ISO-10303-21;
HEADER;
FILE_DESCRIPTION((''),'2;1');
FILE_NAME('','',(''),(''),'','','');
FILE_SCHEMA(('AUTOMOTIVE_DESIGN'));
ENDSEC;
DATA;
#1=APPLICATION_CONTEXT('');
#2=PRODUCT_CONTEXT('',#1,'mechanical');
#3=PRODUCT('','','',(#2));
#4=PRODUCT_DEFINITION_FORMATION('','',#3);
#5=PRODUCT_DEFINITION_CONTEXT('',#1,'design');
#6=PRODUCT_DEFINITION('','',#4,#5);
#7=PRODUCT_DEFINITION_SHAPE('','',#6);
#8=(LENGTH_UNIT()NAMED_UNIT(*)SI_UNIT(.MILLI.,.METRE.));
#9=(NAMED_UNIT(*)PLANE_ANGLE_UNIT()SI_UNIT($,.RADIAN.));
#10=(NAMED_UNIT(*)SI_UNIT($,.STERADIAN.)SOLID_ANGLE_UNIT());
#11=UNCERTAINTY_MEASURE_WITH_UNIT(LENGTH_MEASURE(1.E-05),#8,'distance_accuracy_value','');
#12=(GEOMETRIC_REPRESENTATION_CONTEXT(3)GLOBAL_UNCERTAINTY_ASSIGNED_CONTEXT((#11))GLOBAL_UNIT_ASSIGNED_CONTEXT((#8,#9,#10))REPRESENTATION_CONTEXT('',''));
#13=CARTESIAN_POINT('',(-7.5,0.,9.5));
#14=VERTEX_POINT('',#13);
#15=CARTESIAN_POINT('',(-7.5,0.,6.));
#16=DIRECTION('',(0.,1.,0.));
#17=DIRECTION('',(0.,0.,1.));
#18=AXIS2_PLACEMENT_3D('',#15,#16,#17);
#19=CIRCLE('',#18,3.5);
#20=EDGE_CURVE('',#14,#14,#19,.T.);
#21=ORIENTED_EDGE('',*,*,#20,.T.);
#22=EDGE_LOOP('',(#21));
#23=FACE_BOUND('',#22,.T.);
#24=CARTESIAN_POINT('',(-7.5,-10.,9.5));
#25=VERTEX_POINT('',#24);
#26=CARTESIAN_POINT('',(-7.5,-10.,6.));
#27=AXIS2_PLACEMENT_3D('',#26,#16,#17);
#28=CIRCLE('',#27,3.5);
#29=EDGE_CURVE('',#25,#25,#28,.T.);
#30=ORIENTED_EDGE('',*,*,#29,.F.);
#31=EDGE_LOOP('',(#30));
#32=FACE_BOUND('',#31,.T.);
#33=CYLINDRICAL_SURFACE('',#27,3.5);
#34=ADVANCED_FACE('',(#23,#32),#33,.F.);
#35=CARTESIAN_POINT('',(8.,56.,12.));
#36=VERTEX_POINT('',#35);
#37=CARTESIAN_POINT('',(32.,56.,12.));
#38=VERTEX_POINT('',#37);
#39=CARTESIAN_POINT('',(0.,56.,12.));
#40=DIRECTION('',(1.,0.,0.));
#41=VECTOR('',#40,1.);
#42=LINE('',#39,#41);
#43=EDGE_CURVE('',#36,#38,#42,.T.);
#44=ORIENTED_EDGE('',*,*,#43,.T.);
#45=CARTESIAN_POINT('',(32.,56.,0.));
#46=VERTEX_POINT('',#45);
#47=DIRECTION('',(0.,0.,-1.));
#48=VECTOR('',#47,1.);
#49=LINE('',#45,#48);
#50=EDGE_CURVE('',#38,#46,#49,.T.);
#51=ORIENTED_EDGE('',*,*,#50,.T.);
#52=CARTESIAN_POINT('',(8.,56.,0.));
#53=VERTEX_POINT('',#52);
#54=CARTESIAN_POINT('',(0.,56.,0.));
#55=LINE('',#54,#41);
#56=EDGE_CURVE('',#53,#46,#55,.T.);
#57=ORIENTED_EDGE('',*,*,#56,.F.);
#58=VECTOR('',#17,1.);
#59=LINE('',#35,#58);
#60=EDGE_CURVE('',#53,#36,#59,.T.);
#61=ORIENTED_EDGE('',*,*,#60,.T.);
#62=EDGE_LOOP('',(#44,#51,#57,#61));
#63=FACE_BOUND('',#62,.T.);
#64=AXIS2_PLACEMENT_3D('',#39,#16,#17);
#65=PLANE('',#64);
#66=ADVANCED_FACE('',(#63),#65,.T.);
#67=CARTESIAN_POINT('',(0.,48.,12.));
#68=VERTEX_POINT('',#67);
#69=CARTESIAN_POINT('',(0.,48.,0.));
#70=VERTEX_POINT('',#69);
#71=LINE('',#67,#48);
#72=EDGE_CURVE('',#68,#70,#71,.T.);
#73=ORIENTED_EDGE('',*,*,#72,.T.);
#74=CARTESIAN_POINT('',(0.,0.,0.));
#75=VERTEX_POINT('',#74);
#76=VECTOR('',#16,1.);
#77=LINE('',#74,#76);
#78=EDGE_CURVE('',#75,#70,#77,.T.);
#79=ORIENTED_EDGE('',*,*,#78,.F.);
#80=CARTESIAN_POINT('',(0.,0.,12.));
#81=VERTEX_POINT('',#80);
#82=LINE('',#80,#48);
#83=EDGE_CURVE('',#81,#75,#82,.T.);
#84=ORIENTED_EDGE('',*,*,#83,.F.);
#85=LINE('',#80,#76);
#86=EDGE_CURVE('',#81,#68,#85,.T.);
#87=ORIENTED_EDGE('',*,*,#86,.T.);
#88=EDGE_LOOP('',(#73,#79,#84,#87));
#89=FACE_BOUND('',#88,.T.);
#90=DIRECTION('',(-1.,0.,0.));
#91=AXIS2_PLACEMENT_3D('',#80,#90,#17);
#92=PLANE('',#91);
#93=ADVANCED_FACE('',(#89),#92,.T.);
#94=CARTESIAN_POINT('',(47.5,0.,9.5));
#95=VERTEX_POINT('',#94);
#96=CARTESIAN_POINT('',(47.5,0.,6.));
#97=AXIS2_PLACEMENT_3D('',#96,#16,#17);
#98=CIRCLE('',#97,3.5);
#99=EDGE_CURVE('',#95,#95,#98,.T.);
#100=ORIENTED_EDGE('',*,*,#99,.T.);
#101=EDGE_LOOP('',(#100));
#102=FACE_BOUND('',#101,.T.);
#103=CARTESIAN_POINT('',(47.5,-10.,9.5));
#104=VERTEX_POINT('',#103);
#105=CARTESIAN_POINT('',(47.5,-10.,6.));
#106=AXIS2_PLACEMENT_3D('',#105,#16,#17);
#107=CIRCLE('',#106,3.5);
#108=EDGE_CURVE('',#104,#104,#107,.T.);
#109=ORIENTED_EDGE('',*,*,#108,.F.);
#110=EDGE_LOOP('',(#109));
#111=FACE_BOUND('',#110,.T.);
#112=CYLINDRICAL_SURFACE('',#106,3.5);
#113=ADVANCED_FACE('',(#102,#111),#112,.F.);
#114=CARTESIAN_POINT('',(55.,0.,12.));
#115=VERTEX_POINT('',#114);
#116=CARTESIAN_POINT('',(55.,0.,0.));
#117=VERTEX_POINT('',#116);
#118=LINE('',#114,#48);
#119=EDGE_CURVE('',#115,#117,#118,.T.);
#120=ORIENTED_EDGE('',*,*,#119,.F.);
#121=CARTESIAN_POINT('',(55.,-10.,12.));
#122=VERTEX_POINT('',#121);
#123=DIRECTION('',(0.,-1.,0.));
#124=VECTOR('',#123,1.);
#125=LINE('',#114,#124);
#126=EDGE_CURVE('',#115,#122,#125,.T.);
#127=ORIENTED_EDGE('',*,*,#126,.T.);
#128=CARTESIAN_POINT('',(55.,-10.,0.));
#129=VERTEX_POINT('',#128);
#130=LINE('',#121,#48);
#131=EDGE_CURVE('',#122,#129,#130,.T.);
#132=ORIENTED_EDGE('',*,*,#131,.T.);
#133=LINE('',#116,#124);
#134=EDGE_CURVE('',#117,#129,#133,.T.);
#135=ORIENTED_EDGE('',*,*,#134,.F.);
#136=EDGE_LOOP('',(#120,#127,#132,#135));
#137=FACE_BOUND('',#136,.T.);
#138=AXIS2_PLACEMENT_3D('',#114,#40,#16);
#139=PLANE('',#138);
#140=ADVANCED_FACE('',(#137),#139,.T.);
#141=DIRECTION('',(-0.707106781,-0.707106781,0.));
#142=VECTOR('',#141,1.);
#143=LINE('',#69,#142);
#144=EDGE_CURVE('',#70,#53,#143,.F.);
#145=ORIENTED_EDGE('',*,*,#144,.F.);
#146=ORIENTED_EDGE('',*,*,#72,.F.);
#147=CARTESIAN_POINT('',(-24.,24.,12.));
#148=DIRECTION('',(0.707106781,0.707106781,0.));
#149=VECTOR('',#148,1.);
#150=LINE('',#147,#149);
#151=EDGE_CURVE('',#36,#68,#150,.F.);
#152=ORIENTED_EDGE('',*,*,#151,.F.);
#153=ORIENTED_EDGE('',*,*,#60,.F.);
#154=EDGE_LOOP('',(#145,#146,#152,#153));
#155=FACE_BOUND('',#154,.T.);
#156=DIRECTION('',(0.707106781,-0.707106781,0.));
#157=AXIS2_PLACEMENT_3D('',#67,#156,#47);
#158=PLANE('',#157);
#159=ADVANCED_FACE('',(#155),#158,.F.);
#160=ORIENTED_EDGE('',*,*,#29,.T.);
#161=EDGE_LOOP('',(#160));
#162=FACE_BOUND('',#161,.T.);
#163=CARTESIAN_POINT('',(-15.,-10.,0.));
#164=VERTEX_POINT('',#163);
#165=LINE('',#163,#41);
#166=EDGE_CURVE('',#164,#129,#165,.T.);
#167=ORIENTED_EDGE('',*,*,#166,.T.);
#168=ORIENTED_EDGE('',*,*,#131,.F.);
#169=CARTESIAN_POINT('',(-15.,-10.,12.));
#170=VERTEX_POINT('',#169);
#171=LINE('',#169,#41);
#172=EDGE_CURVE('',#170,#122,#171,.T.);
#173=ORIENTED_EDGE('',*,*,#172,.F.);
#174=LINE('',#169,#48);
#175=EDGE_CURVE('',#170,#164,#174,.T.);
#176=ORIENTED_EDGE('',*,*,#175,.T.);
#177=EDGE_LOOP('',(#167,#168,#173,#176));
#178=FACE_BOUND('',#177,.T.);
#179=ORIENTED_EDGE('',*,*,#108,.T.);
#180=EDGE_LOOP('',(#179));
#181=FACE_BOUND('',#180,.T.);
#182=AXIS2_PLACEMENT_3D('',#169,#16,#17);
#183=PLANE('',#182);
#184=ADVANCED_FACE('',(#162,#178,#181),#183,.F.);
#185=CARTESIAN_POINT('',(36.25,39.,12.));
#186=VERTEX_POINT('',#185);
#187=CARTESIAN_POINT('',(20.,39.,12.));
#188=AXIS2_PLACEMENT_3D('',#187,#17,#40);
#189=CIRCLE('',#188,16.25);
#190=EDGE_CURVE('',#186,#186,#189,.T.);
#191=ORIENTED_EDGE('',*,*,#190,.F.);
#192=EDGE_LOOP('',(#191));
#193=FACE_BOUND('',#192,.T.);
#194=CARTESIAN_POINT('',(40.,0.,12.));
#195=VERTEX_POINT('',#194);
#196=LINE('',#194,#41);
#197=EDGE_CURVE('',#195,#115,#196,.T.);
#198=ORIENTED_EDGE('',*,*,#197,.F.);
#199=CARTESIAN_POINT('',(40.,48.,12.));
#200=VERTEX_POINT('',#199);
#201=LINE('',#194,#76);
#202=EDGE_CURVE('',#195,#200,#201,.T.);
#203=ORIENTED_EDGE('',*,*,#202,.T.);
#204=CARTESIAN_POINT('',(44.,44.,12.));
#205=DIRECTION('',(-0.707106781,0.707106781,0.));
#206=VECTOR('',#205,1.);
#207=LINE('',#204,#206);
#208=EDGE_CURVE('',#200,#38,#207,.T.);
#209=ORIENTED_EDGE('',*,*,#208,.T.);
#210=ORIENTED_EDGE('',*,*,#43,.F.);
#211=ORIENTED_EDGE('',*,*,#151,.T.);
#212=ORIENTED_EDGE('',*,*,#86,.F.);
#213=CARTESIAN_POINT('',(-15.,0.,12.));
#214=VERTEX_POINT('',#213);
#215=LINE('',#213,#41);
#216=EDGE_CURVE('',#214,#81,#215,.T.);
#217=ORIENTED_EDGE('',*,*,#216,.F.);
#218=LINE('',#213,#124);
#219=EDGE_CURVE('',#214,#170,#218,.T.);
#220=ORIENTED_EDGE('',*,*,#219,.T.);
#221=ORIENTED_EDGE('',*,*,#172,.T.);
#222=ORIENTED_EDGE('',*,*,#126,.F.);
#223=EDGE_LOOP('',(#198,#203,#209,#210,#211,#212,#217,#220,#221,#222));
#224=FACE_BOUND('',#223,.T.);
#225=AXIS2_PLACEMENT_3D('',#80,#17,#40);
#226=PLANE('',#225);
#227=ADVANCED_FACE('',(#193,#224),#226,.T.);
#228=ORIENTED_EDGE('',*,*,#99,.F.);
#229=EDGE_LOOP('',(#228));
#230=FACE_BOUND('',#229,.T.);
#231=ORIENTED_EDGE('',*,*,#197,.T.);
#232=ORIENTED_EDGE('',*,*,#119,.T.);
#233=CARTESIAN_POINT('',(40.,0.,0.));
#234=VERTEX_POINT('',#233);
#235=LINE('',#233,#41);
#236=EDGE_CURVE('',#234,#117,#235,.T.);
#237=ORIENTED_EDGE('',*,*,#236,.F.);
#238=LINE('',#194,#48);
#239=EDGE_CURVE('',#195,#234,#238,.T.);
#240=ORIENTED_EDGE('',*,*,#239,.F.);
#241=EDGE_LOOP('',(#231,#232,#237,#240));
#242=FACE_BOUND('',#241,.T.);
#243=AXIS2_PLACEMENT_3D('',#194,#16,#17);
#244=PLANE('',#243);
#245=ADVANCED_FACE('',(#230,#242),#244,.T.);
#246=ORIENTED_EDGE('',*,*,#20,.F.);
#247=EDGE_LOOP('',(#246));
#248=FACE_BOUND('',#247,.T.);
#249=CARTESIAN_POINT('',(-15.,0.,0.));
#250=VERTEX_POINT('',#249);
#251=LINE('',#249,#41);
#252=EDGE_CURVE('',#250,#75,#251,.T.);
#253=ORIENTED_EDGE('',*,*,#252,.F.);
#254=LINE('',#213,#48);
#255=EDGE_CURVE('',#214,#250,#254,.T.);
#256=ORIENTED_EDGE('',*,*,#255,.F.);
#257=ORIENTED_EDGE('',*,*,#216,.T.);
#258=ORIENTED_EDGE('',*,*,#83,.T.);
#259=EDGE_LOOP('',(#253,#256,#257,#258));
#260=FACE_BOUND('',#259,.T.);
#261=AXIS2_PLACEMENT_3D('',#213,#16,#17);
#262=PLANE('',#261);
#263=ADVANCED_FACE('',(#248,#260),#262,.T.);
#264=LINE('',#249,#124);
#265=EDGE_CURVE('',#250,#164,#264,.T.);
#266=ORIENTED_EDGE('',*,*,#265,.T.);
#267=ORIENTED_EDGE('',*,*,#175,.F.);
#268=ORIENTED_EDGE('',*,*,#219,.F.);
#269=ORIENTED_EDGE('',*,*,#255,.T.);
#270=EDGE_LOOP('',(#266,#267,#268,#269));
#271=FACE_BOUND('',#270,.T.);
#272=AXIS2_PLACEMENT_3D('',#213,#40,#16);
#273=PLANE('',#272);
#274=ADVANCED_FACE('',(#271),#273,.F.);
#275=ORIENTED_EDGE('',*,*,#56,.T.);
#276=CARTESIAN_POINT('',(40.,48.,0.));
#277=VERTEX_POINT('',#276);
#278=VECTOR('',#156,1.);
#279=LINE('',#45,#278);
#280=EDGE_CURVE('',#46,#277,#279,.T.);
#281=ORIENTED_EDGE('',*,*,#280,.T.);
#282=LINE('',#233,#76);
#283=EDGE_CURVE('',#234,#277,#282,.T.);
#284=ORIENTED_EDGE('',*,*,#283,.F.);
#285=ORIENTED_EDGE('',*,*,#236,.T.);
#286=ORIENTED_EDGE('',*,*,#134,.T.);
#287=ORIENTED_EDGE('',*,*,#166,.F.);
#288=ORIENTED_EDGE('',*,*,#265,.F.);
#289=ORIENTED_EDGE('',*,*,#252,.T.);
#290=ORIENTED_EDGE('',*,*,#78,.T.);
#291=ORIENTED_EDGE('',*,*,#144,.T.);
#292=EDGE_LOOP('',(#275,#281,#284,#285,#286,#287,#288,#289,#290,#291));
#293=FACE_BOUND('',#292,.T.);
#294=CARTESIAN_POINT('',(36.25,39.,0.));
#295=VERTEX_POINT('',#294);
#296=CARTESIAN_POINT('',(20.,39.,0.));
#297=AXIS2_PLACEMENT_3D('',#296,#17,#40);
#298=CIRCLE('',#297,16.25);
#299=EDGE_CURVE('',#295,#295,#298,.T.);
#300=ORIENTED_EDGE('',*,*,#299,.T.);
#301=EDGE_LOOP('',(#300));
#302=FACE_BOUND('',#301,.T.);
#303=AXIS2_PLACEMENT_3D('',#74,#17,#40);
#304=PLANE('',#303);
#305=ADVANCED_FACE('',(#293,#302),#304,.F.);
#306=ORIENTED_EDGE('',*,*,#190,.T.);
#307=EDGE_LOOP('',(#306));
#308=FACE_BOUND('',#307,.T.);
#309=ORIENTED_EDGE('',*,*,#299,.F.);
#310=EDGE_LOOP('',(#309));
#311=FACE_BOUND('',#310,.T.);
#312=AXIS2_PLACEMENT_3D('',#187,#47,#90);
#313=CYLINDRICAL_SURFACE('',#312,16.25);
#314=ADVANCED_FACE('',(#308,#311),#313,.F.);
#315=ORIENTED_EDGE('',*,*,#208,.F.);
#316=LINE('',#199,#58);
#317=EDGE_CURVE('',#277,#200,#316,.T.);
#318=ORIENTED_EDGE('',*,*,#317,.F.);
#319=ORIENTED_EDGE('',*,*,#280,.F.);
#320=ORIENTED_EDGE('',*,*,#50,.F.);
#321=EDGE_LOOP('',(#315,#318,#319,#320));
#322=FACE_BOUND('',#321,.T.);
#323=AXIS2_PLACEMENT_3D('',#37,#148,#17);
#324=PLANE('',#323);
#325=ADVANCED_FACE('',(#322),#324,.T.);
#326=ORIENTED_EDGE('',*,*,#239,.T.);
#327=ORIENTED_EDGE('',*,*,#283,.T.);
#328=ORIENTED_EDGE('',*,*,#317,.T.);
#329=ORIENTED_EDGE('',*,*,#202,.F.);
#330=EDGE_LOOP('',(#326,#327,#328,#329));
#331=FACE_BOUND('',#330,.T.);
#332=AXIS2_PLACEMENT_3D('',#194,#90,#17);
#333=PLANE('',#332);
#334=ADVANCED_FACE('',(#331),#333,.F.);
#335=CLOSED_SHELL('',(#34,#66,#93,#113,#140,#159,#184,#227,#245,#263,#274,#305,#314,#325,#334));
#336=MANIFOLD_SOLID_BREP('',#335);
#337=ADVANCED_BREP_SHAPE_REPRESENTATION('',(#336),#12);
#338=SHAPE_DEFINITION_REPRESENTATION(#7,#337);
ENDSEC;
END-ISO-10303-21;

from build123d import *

# Parameters (mm, degrees)
SKETCH_1_R          = 16.25
EXTRUDE_1_DEPTH     = 12
SKETCH_2_R          = 3.5
CUT_EXTRUDE_2_DEPTH = 80.404030124
SKETCH_3_R          = 3.5
CUT_EXTRUDE_3_DEPTH = 80.404030124
CHAMFER_1_SIZE      = 8
CHAMFER_2_SIZE      = 8


with BuildPart() as part:
    # 草圖1 → 填料-伸長1 (new body)
    with BuildSketch(Plane.XY):
        Polygon((40, 0), (55, 0), (55, -10), (-15, -10), (-15, 0), (0, 0), (0, 56), (40, 56), align=None)
        with Locations((20, 39)):
            Circle(SKETCH_1_R, mode=Mode.SUBTRACT)
    extrude(amount=EXTRUDE_1_DEPTH)

    # 草圖2 → 除料-伸長2 (cut, through all)
    with BuildSketch(Plane(origin=(0, 0, 0), x_dir=(1, 0, 0), z_dir=(0, 1, 0))):
        with Locations(Location((47.5, -6, 0), (0, 0, 270))):
            Circle(SKETCH_2_R)
    extrude(amount=-CUT_EXTRUDE_2_DEPTH, mode=Mode.SUBTRACT)

    # 草圖3 → 除料-伸長3 (cut, through all)
    with BuildSketch(Plane(origin=(0, 0, 0), x_dir=(1, 0, 0), z_dir=(0, 1, 0))):
        with Locations(Location((-7.5, -6, 0), (0, 0, 270))):
            Circle(SKETCH_3_R)
    extrude(amount=-CUT_EXTRUDE_3_DEPTH, mode=Mode.SUBTRACT)

    # 導角1
    chamfer_1_edges = [part.edges().sort_by_distance(p)[0] for p in [
        (0, 56, 6),
    ]]
    chamfer(chamfer_1_edges, length=CHAMFER_1_SIZE)

    # 導角2
    chamfer_2_edges = [part.edges().sort_by_distance(p)[0] for p in [
        (40, 56, 6),
    ]]
    chamfer(chamfer_2_edges, length=CHAMFER_2_SIZE)


solid = part.part
